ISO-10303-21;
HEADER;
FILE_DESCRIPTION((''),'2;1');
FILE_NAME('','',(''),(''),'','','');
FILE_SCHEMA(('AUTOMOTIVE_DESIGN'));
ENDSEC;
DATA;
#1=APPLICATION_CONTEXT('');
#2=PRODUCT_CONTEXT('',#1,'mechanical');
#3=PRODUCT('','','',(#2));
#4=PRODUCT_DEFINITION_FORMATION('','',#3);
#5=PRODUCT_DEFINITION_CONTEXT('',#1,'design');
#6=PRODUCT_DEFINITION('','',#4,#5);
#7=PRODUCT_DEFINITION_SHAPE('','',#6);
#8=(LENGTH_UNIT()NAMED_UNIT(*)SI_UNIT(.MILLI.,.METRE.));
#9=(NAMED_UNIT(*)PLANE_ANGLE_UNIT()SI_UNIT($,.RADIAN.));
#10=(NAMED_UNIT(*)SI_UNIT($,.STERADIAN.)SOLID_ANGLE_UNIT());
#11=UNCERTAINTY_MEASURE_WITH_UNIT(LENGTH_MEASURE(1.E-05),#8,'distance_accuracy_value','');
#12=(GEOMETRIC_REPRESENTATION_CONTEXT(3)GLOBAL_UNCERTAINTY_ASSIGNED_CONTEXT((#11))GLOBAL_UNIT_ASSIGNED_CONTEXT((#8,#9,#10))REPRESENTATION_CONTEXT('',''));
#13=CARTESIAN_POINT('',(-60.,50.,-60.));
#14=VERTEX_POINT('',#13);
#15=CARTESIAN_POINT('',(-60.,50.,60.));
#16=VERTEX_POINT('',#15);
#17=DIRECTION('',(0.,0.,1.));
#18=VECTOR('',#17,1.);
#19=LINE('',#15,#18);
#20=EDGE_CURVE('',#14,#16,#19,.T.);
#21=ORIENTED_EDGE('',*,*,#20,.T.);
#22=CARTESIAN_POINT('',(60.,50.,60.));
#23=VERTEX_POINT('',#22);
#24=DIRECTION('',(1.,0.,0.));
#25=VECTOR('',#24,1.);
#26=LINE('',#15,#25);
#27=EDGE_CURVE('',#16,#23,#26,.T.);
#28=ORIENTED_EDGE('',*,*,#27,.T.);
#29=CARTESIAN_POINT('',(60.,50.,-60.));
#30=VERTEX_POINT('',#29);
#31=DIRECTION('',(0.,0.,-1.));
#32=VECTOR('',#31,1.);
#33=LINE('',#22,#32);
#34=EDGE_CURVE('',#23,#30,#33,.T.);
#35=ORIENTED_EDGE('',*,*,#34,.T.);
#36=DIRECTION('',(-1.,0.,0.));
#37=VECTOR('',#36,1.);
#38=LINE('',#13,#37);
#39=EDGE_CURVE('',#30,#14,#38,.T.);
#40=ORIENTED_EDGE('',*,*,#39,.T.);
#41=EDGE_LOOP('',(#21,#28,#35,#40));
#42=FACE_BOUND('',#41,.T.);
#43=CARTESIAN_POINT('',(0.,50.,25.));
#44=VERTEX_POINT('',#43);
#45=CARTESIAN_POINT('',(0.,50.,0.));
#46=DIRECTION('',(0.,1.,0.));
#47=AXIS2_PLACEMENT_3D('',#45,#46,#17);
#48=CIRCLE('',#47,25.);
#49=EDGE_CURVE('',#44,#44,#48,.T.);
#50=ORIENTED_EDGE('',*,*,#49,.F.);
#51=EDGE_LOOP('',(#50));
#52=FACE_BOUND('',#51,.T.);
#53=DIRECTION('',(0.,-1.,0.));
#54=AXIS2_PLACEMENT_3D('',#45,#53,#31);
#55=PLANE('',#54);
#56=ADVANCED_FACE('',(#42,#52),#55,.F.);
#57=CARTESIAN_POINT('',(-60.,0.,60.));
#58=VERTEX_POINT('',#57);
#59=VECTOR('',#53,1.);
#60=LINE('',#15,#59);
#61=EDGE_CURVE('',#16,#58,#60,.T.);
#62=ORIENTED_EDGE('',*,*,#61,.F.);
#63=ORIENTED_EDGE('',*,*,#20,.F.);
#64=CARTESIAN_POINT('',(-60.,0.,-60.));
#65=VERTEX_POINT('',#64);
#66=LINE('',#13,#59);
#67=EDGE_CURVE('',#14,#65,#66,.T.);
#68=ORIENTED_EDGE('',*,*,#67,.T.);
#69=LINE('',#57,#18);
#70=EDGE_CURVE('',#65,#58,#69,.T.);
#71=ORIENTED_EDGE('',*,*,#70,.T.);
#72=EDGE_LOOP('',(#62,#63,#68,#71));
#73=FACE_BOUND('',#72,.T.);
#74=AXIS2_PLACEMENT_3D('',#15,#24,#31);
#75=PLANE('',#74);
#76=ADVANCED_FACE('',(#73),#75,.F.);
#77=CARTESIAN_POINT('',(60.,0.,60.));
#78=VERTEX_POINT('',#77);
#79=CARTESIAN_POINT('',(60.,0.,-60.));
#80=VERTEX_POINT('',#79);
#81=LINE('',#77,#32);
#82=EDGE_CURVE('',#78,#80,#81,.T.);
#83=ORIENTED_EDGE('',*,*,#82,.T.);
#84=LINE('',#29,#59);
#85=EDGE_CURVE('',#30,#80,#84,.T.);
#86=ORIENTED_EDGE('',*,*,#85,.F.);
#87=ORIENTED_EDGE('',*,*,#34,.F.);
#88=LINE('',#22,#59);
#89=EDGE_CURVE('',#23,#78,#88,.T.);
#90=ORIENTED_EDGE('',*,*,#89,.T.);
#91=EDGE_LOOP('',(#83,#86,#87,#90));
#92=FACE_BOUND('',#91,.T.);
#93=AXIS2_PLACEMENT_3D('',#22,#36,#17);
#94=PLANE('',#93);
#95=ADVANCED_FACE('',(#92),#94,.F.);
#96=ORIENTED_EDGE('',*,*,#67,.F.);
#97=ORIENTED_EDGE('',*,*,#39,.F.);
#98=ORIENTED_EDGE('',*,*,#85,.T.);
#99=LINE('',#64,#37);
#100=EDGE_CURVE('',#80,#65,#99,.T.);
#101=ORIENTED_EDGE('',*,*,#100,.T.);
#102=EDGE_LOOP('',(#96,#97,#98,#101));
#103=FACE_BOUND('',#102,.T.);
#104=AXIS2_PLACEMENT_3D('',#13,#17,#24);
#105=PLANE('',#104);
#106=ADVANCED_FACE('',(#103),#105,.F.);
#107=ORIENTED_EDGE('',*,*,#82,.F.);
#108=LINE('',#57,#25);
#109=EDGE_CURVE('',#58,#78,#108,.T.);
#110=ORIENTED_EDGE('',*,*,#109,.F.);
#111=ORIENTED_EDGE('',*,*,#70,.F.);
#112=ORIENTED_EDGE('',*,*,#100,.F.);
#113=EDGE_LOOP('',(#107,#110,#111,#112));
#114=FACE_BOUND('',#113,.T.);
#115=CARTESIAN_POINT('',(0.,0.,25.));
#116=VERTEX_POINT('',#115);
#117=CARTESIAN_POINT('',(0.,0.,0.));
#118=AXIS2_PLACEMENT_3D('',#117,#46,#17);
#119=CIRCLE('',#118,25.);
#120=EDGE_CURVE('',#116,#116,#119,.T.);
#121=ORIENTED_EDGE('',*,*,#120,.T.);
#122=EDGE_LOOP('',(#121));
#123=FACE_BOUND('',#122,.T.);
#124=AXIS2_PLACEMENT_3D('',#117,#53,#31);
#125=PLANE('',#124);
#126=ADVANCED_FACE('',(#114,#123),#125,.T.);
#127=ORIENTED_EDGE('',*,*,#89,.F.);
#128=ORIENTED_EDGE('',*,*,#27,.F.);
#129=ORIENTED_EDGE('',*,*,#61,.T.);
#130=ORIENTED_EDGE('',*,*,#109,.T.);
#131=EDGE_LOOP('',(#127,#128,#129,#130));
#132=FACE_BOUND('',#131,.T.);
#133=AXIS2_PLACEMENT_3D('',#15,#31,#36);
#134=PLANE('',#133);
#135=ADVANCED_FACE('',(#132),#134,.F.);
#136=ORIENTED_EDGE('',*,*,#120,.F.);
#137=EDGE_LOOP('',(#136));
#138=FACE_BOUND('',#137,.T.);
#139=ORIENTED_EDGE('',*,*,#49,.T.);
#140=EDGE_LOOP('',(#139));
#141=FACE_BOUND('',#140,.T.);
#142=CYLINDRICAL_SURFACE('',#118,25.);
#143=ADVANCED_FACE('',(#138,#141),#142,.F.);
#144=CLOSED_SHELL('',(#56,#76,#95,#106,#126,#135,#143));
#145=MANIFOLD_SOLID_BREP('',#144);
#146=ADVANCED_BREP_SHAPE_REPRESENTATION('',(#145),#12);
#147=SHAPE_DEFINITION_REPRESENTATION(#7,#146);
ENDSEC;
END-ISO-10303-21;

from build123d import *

# Parameters (mm, degrees)
SKETCH2_W           = 120
SKETCH2_H           = 120
BOSS_EXTRUDE1_DEPTH = 50
SKETCH3_R           = 25
CUT_EXTRUDE2_DEPTH  = 51


with BuildPart() as part:
    # Sketch2 → Boss-Extrude1 (new body)
    with BuildSketch(Plane(origin=(0, 0, 0), x_dir=(1, 0, 0), z_dir=(0, 1, 0))):
        Rectangle(SKETCH2_W, SKETCH2_H)
    extrude(amount=BOSS_EXTRUDE1_DEPTH)

    # Sketch3 → Cut-Extrude2 (cut, through all)
    with BuildSketch(Plane(origin=(0, 50, 0), x_dir=(1, 0, 0), z_dir=(0, 1, 0))):
        Circle(SKETCH3_R)
    extrude(amount=-CUT_EXTRUDE2_DEPTH, mode=Mode.SUBTRACT)


solid = part.part
